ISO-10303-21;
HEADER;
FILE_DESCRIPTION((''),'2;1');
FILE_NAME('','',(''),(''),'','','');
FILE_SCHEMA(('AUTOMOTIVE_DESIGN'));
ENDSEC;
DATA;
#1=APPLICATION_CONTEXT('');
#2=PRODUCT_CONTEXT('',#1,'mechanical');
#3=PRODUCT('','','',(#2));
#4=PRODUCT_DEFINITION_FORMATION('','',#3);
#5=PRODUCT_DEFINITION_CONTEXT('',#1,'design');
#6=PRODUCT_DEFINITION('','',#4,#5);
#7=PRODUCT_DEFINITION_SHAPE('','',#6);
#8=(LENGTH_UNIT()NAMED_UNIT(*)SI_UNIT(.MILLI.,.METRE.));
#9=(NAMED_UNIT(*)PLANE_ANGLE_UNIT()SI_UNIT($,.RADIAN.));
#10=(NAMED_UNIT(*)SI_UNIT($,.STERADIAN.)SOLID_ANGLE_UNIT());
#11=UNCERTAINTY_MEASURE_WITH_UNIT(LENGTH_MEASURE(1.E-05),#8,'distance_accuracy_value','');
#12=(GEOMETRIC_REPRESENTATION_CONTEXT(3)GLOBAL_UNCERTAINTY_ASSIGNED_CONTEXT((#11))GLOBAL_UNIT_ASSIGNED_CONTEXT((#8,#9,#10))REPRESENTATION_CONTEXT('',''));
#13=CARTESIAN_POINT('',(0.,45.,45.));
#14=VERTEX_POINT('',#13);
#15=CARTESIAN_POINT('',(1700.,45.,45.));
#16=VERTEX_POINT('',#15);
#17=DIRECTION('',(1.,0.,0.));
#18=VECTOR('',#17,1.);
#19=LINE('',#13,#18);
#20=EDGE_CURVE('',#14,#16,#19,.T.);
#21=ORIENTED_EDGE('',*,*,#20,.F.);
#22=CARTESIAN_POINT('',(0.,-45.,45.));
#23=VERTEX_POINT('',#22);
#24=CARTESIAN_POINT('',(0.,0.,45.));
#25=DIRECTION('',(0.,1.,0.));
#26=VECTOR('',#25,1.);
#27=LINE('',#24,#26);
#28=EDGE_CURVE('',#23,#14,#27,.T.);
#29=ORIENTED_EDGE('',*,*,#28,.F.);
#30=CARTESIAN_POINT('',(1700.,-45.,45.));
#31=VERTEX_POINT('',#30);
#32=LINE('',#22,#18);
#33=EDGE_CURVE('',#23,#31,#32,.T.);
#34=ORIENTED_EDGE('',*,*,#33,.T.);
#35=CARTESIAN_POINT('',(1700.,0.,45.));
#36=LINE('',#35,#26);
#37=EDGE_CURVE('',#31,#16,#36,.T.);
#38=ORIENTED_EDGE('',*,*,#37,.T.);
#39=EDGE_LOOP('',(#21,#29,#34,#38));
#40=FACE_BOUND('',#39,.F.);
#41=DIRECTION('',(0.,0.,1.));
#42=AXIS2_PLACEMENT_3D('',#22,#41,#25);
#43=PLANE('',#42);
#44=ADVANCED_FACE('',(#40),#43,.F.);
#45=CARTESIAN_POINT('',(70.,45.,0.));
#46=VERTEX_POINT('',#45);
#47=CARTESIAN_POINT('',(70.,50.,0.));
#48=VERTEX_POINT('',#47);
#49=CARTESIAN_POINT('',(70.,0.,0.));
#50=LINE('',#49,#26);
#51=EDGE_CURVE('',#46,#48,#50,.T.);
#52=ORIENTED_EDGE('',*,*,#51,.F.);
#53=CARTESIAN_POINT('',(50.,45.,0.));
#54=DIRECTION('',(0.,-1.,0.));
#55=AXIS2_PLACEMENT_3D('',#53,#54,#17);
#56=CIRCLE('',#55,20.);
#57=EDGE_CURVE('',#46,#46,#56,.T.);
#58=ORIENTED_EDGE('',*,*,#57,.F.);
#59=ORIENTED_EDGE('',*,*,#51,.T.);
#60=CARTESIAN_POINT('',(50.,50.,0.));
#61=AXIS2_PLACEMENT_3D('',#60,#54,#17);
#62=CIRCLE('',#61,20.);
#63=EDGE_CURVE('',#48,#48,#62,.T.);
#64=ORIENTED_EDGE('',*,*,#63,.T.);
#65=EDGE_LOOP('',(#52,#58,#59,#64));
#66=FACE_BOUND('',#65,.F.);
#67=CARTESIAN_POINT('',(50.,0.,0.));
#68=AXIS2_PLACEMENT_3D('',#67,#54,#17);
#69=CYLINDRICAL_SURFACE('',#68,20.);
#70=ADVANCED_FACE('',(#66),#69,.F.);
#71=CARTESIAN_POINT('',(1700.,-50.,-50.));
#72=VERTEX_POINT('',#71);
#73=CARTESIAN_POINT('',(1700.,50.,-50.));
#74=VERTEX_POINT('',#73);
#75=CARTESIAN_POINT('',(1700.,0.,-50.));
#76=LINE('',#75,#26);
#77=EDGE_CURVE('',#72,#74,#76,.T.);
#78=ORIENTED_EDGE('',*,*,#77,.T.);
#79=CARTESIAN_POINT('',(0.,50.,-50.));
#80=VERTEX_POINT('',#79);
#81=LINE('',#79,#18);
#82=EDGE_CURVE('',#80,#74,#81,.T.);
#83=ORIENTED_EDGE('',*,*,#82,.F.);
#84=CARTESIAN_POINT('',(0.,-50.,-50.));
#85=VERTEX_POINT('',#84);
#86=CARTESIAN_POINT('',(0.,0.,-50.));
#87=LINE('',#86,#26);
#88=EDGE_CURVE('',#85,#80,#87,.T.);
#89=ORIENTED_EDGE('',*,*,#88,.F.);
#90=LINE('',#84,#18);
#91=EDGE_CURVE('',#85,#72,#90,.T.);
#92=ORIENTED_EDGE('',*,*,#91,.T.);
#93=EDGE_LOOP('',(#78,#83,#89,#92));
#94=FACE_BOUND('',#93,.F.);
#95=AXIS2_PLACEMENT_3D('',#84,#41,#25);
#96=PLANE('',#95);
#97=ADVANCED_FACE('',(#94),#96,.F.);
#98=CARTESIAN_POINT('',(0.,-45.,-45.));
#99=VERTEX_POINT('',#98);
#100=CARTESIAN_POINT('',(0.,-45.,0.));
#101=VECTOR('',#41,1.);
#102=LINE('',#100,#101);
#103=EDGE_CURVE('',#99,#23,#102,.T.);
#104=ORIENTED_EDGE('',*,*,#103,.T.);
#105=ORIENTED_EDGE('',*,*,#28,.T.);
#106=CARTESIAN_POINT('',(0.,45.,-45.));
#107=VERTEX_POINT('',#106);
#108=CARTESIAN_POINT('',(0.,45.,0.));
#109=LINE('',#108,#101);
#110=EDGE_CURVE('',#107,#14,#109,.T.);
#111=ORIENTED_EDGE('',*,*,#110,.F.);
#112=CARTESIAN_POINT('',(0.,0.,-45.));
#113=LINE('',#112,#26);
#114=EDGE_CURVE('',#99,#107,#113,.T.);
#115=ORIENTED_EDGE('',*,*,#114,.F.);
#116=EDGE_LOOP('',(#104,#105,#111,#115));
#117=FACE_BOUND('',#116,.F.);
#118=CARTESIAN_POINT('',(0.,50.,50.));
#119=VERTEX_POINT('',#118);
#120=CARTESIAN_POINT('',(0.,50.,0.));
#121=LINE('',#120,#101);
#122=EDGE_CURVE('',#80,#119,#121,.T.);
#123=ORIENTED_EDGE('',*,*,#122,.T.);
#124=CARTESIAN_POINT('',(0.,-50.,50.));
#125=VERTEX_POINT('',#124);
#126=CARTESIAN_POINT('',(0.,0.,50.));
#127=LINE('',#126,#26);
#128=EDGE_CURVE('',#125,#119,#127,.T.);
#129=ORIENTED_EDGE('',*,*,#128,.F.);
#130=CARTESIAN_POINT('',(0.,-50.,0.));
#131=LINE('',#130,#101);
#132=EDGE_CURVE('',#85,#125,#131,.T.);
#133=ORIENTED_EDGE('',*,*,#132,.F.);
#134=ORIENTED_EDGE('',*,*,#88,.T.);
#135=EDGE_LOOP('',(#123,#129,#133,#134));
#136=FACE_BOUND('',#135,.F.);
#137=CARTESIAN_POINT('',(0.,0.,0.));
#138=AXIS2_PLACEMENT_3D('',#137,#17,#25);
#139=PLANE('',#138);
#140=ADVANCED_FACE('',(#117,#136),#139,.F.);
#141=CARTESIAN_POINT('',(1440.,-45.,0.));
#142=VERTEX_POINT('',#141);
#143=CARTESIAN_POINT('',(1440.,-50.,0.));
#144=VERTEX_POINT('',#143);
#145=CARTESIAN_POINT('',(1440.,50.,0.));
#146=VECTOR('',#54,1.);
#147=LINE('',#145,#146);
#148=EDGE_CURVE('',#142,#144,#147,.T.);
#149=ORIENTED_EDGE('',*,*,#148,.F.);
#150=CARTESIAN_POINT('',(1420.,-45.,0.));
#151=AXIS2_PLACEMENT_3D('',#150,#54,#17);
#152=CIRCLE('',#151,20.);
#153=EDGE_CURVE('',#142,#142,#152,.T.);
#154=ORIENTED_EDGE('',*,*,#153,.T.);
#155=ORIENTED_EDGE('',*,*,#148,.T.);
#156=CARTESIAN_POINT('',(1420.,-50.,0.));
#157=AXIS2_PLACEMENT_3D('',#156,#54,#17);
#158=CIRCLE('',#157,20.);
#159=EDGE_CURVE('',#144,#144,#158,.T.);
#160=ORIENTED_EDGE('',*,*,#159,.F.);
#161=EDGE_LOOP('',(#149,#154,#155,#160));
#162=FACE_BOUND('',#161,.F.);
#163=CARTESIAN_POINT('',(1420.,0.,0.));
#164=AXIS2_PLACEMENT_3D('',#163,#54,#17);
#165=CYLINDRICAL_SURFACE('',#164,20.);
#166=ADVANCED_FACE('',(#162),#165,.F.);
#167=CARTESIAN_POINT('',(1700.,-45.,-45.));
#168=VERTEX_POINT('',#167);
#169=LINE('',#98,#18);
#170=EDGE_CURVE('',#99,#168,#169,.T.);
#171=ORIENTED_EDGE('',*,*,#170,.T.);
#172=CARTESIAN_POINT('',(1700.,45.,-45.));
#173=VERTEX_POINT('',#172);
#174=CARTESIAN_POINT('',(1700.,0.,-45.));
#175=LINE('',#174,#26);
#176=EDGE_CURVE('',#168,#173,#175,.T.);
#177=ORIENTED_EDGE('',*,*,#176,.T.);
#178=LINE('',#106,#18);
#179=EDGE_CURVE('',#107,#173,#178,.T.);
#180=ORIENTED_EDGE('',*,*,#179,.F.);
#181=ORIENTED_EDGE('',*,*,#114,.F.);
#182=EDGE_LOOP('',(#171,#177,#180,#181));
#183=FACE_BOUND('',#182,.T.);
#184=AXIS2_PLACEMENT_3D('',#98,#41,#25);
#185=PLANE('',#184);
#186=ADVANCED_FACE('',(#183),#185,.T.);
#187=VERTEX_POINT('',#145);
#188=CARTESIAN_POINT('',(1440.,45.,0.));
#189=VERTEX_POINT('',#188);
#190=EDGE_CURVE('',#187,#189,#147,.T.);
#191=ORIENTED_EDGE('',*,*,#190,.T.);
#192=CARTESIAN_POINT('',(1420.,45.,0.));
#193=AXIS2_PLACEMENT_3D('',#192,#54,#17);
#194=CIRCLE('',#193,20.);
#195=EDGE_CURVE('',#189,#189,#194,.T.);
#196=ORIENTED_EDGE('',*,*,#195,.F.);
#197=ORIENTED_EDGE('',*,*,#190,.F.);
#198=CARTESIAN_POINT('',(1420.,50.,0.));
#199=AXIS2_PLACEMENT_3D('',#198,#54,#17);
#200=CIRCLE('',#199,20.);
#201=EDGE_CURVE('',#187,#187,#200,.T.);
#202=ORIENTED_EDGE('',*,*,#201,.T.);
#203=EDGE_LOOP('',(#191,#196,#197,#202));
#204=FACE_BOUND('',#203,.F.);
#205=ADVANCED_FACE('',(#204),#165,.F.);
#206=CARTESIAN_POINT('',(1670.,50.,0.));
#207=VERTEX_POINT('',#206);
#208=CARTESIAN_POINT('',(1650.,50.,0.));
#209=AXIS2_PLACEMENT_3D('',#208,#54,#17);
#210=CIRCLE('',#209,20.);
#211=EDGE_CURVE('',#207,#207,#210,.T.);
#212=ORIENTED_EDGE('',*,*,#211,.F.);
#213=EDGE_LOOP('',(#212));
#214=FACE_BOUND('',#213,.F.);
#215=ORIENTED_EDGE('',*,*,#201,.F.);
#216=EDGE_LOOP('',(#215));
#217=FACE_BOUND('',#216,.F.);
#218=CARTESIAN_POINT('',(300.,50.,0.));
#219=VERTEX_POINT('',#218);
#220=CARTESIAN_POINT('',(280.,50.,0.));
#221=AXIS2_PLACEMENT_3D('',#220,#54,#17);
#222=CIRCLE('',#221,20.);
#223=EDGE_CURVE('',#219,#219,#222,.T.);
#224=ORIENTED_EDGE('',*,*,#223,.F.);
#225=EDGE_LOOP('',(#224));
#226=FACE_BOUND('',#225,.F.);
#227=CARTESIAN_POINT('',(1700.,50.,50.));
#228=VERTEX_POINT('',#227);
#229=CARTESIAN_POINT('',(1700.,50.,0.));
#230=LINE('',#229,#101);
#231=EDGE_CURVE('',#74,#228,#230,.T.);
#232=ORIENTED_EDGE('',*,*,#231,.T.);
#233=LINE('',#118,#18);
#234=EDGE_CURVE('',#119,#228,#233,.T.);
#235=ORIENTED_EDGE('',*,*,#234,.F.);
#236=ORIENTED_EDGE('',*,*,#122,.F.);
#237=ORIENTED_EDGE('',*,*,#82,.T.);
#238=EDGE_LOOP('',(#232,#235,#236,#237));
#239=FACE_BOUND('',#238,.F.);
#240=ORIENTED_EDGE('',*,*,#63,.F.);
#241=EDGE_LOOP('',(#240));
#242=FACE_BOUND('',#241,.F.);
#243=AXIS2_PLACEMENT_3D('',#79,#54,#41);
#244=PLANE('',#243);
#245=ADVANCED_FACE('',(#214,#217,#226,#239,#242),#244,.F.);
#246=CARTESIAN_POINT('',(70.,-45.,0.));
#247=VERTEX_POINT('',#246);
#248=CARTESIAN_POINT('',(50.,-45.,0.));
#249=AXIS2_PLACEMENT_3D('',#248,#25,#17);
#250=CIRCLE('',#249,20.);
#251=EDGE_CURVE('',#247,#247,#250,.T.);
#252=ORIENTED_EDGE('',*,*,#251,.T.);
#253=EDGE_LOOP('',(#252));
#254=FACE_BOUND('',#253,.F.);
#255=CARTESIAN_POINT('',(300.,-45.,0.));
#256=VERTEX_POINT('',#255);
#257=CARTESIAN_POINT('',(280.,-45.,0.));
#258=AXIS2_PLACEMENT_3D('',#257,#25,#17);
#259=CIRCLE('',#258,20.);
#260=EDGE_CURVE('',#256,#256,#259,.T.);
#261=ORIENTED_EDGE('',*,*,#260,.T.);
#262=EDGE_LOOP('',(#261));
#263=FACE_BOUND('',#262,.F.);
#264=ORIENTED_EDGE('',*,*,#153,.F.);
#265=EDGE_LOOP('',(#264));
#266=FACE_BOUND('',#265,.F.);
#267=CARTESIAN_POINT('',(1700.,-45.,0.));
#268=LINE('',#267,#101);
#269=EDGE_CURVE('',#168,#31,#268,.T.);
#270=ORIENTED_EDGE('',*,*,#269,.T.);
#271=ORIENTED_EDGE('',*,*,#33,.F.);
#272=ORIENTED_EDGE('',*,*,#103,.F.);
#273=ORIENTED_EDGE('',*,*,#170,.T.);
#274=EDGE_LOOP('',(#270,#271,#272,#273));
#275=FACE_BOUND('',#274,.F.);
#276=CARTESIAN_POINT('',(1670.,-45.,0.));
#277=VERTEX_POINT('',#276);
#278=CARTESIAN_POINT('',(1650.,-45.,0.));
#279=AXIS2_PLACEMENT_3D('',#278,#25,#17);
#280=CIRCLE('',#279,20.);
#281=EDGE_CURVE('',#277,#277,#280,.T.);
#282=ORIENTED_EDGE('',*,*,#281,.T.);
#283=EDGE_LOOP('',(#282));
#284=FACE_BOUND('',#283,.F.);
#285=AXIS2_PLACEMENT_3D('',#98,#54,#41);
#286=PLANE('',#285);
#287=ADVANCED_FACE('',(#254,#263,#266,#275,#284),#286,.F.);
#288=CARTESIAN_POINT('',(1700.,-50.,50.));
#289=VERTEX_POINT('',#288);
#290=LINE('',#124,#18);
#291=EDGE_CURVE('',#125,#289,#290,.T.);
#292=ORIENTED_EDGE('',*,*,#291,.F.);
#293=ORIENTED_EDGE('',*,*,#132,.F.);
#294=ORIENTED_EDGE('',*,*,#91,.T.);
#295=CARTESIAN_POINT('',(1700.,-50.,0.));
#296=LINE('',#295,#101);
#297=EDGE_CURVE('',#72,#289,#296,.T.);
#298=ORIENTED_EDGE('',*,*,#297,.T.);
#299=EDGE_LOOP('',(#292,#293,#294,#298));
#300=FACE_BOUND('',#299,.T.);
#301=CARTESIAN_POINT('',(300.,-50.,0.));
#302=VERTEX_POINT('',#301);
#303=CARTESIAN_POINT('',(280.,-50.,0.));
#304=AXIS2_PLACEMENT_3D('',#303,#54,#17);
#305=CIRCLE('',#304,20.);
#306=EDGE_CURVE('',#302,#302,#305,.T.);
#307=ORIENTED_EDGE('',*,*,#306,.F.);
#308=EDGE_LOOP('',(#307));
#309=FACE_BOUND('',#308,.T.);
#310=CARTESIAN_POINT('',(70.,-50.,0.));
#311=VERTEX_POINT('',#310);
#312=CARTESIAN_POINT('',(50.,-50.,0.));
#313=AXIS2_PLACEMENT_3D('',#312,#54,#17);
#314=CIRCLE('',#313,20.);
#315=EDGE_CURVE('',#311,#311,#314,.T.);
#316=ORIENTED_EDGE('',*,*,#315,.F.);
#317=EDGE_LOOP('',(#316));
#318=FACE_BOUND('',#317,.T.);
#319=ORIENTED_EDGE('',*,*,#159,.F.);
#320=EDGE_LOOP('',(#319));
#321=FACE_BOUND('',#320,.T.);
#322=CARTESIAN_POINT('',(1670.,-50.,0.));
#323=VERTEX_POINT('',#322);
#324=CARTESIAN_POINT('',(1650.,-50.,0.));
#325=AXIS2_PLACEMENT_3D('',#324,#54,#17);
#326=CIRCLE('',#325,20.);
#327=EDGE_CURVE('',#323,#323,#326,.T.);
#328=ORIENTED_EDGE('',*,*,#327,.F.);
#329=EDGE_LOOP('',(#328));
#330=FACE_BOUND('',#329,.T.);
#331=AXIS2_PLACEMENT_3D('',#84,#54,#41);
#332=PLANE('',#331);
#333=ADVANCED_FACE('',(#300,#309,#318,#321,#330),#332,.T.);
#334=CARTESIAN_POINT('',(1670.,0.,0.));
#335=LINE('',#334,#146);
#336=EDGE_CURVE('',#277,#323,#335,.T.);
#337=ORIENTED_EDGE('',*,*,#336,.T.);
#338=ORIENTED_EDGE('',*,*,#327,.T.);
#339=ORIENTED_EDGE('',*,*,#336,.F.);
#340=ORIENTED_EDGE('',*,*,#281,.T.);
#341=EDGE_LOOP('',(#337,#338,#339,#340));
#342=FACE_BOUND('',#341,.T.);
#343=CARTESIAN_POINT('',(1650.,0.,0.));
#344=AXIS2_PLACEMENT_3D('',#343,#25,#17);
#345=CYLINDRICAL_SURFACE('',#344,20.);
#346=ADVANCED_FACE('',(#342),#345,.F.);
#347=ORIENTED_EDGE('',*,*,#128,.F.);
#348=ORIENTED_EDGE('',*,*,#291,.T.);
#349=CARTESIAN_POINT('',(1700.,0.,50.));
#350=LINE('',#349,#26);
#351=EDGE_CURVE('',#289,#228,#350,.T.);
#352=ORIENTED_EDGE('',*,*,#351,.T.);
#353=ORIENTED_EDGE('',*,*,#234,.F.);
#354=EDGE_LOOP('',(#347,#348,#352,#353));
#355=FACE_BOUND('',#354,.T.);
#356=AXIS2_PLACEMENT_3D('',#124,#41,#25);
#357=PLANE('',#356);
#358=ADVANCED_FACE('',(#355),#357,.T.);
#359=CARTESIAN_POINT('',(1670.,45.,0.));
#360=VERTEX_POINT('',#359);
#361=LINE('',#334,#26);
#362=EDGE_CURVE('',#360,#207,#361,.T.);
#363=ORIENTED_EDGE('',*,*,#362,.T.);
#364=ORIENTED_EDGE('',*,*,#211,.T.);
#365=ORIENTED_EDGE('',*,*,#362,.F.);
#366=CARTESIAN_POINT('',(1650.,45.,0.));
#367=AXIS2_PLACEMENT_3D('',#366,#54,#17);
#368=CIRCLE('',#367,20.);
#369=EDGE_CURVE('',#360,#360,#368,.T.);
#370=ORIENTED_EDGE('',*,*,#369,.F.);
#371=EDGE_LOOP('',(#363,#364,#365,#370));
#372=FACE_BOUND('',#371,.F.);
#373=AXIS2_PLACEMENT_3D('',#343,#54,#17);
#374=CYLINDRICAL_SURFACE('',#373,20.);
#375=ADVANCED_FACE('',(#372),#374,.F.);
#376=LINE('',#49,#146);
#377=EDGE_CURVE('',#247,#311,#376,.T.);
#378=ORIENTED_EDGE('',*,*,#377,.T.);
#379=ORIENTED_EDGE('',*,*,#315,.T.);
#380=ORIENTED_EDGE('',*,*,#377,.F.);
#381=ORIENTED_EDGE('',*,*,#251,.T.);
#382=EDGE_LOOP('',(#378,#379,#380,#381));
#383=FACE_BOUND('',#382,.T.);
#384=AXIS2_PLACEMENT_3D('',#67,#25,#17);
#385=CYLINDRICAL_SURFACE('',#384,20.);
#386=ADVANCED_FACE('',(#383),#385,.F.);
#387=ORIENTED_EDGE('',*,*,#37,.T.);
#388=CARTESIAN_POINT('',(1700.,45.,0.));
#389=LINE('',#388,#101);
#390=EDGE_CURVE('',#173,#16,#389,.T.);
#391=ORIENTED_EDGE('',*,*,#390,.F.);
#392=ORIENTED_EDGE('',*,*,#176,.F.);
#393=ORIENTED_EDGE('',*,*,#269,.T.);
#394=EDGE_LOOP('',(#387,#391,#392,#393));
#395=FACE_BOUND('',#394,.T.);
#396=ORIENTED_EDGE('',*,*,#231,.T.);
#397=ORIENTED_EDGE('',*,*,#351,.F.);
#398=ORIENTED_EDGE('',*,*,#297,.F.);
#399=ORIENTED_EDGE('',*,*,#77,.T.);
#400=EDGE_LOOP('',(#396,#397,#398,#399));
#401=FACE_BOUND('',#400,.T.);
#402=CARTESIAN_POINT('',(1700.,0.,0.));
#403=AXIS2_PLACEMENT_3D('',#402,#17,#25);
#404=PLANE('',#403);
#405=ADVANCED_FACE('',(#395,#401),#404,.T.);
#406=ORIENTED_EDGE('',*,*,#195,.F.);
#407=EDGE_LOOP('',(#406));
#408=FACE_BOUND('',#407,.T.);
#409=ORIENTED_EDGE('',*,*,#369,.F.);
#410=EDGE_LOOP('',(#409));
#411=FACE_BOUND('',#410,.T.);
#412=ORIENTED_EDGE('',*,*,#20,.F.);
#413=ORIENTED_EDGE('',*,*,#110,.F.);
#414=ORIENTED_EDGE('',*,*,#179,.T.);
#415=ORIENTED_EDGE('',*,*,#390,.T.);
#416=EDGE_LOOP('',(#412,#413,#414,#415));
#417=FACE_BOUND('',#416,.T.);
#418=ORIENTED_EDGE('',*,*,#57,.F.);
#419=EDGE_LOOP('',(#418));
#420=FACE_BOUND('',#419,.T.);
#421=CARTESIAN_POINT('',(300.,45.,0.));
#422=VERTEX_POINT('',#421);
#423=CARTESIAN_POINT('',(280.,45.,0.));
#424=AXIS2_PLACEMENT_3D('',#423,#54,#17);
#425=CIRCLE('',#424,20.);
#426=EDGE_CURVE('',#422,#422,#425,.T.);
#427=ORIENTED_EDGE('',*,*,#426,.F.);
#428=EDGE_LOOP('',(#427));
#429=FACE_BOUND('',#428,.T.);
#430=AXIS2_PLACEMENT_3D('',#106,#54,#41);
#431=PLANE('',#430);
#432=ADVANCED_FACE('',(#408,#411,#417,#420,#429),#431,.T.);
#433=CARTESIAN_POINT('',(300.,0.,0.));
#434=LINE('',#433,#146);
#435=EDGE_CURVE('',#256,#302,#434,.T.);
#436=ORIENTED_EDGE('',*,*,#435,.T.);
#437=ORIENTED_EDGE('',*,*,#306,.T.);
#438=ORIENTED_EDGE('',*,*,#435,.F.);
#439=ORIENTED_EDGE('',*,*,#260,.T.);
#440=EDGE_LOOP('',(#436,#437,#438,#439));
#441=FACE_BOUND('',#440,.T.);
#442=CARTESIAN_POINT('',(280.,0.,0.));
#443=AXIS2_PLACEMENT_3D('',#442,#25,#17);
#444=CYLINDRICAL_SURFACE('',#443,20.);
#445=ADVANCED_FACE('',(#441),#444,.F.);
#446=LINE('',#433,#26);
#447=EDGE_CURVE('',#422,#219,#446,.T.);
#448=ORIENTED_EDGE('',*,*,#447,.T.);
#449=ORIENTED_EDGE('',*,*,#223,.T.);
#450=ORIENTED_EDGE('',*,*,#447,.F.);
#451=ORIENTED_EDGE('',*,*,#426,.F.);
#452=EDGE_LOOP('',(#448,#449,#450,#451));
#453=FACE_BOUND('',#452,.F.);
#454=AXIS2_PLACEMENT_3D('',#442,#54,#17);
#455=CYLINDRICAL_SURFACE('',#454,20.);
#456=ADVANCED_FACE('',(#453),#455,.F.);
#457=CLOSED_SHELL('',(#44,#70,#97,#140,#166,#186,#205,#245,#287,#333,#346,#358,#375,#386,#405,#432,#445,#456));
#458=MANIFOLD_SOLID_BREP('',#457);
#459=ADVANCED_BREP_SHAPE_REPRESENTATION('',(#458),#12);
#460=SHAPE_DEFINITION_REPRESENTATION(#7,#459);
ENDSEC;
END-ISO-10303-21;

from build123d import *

# Parameters (mm, degrees)
F0_W     = 100
F0_H     = 100
F0_W_2   = 90
F0_H_2   = 90
F1_DEPTH = 1700
F2_R     = 20
F3_DEPTH = 50


with BuildPart() as f1:
    # F0 (on Right) → F1 (new body)
    with BuildSketch(Plane.YZ):
        Rectangle(F0_W, F0_H)
        Rectangle(F0_W_2, F0_H_2, mode=Mode.SUBTRACT)
    extrude(amount=F1_DEPTH)

    # F2 (on Front) → F3 (cut, symmetric)
    with BuildSketch(Plane.XZ):
        with Locations((50, 0)):
            Circle(F2_R)
        with Locations((1650, 0)):
            Circle(F2_R)
        with Locations((280, 0)):
            Circle(F2_R)
        with Locations((1420, 0)):
            Circle(F2_R)
    extrude(amount=F3_DEPTH, both=True, mode=Mode.SUBTRACT)


solid = f1.part
